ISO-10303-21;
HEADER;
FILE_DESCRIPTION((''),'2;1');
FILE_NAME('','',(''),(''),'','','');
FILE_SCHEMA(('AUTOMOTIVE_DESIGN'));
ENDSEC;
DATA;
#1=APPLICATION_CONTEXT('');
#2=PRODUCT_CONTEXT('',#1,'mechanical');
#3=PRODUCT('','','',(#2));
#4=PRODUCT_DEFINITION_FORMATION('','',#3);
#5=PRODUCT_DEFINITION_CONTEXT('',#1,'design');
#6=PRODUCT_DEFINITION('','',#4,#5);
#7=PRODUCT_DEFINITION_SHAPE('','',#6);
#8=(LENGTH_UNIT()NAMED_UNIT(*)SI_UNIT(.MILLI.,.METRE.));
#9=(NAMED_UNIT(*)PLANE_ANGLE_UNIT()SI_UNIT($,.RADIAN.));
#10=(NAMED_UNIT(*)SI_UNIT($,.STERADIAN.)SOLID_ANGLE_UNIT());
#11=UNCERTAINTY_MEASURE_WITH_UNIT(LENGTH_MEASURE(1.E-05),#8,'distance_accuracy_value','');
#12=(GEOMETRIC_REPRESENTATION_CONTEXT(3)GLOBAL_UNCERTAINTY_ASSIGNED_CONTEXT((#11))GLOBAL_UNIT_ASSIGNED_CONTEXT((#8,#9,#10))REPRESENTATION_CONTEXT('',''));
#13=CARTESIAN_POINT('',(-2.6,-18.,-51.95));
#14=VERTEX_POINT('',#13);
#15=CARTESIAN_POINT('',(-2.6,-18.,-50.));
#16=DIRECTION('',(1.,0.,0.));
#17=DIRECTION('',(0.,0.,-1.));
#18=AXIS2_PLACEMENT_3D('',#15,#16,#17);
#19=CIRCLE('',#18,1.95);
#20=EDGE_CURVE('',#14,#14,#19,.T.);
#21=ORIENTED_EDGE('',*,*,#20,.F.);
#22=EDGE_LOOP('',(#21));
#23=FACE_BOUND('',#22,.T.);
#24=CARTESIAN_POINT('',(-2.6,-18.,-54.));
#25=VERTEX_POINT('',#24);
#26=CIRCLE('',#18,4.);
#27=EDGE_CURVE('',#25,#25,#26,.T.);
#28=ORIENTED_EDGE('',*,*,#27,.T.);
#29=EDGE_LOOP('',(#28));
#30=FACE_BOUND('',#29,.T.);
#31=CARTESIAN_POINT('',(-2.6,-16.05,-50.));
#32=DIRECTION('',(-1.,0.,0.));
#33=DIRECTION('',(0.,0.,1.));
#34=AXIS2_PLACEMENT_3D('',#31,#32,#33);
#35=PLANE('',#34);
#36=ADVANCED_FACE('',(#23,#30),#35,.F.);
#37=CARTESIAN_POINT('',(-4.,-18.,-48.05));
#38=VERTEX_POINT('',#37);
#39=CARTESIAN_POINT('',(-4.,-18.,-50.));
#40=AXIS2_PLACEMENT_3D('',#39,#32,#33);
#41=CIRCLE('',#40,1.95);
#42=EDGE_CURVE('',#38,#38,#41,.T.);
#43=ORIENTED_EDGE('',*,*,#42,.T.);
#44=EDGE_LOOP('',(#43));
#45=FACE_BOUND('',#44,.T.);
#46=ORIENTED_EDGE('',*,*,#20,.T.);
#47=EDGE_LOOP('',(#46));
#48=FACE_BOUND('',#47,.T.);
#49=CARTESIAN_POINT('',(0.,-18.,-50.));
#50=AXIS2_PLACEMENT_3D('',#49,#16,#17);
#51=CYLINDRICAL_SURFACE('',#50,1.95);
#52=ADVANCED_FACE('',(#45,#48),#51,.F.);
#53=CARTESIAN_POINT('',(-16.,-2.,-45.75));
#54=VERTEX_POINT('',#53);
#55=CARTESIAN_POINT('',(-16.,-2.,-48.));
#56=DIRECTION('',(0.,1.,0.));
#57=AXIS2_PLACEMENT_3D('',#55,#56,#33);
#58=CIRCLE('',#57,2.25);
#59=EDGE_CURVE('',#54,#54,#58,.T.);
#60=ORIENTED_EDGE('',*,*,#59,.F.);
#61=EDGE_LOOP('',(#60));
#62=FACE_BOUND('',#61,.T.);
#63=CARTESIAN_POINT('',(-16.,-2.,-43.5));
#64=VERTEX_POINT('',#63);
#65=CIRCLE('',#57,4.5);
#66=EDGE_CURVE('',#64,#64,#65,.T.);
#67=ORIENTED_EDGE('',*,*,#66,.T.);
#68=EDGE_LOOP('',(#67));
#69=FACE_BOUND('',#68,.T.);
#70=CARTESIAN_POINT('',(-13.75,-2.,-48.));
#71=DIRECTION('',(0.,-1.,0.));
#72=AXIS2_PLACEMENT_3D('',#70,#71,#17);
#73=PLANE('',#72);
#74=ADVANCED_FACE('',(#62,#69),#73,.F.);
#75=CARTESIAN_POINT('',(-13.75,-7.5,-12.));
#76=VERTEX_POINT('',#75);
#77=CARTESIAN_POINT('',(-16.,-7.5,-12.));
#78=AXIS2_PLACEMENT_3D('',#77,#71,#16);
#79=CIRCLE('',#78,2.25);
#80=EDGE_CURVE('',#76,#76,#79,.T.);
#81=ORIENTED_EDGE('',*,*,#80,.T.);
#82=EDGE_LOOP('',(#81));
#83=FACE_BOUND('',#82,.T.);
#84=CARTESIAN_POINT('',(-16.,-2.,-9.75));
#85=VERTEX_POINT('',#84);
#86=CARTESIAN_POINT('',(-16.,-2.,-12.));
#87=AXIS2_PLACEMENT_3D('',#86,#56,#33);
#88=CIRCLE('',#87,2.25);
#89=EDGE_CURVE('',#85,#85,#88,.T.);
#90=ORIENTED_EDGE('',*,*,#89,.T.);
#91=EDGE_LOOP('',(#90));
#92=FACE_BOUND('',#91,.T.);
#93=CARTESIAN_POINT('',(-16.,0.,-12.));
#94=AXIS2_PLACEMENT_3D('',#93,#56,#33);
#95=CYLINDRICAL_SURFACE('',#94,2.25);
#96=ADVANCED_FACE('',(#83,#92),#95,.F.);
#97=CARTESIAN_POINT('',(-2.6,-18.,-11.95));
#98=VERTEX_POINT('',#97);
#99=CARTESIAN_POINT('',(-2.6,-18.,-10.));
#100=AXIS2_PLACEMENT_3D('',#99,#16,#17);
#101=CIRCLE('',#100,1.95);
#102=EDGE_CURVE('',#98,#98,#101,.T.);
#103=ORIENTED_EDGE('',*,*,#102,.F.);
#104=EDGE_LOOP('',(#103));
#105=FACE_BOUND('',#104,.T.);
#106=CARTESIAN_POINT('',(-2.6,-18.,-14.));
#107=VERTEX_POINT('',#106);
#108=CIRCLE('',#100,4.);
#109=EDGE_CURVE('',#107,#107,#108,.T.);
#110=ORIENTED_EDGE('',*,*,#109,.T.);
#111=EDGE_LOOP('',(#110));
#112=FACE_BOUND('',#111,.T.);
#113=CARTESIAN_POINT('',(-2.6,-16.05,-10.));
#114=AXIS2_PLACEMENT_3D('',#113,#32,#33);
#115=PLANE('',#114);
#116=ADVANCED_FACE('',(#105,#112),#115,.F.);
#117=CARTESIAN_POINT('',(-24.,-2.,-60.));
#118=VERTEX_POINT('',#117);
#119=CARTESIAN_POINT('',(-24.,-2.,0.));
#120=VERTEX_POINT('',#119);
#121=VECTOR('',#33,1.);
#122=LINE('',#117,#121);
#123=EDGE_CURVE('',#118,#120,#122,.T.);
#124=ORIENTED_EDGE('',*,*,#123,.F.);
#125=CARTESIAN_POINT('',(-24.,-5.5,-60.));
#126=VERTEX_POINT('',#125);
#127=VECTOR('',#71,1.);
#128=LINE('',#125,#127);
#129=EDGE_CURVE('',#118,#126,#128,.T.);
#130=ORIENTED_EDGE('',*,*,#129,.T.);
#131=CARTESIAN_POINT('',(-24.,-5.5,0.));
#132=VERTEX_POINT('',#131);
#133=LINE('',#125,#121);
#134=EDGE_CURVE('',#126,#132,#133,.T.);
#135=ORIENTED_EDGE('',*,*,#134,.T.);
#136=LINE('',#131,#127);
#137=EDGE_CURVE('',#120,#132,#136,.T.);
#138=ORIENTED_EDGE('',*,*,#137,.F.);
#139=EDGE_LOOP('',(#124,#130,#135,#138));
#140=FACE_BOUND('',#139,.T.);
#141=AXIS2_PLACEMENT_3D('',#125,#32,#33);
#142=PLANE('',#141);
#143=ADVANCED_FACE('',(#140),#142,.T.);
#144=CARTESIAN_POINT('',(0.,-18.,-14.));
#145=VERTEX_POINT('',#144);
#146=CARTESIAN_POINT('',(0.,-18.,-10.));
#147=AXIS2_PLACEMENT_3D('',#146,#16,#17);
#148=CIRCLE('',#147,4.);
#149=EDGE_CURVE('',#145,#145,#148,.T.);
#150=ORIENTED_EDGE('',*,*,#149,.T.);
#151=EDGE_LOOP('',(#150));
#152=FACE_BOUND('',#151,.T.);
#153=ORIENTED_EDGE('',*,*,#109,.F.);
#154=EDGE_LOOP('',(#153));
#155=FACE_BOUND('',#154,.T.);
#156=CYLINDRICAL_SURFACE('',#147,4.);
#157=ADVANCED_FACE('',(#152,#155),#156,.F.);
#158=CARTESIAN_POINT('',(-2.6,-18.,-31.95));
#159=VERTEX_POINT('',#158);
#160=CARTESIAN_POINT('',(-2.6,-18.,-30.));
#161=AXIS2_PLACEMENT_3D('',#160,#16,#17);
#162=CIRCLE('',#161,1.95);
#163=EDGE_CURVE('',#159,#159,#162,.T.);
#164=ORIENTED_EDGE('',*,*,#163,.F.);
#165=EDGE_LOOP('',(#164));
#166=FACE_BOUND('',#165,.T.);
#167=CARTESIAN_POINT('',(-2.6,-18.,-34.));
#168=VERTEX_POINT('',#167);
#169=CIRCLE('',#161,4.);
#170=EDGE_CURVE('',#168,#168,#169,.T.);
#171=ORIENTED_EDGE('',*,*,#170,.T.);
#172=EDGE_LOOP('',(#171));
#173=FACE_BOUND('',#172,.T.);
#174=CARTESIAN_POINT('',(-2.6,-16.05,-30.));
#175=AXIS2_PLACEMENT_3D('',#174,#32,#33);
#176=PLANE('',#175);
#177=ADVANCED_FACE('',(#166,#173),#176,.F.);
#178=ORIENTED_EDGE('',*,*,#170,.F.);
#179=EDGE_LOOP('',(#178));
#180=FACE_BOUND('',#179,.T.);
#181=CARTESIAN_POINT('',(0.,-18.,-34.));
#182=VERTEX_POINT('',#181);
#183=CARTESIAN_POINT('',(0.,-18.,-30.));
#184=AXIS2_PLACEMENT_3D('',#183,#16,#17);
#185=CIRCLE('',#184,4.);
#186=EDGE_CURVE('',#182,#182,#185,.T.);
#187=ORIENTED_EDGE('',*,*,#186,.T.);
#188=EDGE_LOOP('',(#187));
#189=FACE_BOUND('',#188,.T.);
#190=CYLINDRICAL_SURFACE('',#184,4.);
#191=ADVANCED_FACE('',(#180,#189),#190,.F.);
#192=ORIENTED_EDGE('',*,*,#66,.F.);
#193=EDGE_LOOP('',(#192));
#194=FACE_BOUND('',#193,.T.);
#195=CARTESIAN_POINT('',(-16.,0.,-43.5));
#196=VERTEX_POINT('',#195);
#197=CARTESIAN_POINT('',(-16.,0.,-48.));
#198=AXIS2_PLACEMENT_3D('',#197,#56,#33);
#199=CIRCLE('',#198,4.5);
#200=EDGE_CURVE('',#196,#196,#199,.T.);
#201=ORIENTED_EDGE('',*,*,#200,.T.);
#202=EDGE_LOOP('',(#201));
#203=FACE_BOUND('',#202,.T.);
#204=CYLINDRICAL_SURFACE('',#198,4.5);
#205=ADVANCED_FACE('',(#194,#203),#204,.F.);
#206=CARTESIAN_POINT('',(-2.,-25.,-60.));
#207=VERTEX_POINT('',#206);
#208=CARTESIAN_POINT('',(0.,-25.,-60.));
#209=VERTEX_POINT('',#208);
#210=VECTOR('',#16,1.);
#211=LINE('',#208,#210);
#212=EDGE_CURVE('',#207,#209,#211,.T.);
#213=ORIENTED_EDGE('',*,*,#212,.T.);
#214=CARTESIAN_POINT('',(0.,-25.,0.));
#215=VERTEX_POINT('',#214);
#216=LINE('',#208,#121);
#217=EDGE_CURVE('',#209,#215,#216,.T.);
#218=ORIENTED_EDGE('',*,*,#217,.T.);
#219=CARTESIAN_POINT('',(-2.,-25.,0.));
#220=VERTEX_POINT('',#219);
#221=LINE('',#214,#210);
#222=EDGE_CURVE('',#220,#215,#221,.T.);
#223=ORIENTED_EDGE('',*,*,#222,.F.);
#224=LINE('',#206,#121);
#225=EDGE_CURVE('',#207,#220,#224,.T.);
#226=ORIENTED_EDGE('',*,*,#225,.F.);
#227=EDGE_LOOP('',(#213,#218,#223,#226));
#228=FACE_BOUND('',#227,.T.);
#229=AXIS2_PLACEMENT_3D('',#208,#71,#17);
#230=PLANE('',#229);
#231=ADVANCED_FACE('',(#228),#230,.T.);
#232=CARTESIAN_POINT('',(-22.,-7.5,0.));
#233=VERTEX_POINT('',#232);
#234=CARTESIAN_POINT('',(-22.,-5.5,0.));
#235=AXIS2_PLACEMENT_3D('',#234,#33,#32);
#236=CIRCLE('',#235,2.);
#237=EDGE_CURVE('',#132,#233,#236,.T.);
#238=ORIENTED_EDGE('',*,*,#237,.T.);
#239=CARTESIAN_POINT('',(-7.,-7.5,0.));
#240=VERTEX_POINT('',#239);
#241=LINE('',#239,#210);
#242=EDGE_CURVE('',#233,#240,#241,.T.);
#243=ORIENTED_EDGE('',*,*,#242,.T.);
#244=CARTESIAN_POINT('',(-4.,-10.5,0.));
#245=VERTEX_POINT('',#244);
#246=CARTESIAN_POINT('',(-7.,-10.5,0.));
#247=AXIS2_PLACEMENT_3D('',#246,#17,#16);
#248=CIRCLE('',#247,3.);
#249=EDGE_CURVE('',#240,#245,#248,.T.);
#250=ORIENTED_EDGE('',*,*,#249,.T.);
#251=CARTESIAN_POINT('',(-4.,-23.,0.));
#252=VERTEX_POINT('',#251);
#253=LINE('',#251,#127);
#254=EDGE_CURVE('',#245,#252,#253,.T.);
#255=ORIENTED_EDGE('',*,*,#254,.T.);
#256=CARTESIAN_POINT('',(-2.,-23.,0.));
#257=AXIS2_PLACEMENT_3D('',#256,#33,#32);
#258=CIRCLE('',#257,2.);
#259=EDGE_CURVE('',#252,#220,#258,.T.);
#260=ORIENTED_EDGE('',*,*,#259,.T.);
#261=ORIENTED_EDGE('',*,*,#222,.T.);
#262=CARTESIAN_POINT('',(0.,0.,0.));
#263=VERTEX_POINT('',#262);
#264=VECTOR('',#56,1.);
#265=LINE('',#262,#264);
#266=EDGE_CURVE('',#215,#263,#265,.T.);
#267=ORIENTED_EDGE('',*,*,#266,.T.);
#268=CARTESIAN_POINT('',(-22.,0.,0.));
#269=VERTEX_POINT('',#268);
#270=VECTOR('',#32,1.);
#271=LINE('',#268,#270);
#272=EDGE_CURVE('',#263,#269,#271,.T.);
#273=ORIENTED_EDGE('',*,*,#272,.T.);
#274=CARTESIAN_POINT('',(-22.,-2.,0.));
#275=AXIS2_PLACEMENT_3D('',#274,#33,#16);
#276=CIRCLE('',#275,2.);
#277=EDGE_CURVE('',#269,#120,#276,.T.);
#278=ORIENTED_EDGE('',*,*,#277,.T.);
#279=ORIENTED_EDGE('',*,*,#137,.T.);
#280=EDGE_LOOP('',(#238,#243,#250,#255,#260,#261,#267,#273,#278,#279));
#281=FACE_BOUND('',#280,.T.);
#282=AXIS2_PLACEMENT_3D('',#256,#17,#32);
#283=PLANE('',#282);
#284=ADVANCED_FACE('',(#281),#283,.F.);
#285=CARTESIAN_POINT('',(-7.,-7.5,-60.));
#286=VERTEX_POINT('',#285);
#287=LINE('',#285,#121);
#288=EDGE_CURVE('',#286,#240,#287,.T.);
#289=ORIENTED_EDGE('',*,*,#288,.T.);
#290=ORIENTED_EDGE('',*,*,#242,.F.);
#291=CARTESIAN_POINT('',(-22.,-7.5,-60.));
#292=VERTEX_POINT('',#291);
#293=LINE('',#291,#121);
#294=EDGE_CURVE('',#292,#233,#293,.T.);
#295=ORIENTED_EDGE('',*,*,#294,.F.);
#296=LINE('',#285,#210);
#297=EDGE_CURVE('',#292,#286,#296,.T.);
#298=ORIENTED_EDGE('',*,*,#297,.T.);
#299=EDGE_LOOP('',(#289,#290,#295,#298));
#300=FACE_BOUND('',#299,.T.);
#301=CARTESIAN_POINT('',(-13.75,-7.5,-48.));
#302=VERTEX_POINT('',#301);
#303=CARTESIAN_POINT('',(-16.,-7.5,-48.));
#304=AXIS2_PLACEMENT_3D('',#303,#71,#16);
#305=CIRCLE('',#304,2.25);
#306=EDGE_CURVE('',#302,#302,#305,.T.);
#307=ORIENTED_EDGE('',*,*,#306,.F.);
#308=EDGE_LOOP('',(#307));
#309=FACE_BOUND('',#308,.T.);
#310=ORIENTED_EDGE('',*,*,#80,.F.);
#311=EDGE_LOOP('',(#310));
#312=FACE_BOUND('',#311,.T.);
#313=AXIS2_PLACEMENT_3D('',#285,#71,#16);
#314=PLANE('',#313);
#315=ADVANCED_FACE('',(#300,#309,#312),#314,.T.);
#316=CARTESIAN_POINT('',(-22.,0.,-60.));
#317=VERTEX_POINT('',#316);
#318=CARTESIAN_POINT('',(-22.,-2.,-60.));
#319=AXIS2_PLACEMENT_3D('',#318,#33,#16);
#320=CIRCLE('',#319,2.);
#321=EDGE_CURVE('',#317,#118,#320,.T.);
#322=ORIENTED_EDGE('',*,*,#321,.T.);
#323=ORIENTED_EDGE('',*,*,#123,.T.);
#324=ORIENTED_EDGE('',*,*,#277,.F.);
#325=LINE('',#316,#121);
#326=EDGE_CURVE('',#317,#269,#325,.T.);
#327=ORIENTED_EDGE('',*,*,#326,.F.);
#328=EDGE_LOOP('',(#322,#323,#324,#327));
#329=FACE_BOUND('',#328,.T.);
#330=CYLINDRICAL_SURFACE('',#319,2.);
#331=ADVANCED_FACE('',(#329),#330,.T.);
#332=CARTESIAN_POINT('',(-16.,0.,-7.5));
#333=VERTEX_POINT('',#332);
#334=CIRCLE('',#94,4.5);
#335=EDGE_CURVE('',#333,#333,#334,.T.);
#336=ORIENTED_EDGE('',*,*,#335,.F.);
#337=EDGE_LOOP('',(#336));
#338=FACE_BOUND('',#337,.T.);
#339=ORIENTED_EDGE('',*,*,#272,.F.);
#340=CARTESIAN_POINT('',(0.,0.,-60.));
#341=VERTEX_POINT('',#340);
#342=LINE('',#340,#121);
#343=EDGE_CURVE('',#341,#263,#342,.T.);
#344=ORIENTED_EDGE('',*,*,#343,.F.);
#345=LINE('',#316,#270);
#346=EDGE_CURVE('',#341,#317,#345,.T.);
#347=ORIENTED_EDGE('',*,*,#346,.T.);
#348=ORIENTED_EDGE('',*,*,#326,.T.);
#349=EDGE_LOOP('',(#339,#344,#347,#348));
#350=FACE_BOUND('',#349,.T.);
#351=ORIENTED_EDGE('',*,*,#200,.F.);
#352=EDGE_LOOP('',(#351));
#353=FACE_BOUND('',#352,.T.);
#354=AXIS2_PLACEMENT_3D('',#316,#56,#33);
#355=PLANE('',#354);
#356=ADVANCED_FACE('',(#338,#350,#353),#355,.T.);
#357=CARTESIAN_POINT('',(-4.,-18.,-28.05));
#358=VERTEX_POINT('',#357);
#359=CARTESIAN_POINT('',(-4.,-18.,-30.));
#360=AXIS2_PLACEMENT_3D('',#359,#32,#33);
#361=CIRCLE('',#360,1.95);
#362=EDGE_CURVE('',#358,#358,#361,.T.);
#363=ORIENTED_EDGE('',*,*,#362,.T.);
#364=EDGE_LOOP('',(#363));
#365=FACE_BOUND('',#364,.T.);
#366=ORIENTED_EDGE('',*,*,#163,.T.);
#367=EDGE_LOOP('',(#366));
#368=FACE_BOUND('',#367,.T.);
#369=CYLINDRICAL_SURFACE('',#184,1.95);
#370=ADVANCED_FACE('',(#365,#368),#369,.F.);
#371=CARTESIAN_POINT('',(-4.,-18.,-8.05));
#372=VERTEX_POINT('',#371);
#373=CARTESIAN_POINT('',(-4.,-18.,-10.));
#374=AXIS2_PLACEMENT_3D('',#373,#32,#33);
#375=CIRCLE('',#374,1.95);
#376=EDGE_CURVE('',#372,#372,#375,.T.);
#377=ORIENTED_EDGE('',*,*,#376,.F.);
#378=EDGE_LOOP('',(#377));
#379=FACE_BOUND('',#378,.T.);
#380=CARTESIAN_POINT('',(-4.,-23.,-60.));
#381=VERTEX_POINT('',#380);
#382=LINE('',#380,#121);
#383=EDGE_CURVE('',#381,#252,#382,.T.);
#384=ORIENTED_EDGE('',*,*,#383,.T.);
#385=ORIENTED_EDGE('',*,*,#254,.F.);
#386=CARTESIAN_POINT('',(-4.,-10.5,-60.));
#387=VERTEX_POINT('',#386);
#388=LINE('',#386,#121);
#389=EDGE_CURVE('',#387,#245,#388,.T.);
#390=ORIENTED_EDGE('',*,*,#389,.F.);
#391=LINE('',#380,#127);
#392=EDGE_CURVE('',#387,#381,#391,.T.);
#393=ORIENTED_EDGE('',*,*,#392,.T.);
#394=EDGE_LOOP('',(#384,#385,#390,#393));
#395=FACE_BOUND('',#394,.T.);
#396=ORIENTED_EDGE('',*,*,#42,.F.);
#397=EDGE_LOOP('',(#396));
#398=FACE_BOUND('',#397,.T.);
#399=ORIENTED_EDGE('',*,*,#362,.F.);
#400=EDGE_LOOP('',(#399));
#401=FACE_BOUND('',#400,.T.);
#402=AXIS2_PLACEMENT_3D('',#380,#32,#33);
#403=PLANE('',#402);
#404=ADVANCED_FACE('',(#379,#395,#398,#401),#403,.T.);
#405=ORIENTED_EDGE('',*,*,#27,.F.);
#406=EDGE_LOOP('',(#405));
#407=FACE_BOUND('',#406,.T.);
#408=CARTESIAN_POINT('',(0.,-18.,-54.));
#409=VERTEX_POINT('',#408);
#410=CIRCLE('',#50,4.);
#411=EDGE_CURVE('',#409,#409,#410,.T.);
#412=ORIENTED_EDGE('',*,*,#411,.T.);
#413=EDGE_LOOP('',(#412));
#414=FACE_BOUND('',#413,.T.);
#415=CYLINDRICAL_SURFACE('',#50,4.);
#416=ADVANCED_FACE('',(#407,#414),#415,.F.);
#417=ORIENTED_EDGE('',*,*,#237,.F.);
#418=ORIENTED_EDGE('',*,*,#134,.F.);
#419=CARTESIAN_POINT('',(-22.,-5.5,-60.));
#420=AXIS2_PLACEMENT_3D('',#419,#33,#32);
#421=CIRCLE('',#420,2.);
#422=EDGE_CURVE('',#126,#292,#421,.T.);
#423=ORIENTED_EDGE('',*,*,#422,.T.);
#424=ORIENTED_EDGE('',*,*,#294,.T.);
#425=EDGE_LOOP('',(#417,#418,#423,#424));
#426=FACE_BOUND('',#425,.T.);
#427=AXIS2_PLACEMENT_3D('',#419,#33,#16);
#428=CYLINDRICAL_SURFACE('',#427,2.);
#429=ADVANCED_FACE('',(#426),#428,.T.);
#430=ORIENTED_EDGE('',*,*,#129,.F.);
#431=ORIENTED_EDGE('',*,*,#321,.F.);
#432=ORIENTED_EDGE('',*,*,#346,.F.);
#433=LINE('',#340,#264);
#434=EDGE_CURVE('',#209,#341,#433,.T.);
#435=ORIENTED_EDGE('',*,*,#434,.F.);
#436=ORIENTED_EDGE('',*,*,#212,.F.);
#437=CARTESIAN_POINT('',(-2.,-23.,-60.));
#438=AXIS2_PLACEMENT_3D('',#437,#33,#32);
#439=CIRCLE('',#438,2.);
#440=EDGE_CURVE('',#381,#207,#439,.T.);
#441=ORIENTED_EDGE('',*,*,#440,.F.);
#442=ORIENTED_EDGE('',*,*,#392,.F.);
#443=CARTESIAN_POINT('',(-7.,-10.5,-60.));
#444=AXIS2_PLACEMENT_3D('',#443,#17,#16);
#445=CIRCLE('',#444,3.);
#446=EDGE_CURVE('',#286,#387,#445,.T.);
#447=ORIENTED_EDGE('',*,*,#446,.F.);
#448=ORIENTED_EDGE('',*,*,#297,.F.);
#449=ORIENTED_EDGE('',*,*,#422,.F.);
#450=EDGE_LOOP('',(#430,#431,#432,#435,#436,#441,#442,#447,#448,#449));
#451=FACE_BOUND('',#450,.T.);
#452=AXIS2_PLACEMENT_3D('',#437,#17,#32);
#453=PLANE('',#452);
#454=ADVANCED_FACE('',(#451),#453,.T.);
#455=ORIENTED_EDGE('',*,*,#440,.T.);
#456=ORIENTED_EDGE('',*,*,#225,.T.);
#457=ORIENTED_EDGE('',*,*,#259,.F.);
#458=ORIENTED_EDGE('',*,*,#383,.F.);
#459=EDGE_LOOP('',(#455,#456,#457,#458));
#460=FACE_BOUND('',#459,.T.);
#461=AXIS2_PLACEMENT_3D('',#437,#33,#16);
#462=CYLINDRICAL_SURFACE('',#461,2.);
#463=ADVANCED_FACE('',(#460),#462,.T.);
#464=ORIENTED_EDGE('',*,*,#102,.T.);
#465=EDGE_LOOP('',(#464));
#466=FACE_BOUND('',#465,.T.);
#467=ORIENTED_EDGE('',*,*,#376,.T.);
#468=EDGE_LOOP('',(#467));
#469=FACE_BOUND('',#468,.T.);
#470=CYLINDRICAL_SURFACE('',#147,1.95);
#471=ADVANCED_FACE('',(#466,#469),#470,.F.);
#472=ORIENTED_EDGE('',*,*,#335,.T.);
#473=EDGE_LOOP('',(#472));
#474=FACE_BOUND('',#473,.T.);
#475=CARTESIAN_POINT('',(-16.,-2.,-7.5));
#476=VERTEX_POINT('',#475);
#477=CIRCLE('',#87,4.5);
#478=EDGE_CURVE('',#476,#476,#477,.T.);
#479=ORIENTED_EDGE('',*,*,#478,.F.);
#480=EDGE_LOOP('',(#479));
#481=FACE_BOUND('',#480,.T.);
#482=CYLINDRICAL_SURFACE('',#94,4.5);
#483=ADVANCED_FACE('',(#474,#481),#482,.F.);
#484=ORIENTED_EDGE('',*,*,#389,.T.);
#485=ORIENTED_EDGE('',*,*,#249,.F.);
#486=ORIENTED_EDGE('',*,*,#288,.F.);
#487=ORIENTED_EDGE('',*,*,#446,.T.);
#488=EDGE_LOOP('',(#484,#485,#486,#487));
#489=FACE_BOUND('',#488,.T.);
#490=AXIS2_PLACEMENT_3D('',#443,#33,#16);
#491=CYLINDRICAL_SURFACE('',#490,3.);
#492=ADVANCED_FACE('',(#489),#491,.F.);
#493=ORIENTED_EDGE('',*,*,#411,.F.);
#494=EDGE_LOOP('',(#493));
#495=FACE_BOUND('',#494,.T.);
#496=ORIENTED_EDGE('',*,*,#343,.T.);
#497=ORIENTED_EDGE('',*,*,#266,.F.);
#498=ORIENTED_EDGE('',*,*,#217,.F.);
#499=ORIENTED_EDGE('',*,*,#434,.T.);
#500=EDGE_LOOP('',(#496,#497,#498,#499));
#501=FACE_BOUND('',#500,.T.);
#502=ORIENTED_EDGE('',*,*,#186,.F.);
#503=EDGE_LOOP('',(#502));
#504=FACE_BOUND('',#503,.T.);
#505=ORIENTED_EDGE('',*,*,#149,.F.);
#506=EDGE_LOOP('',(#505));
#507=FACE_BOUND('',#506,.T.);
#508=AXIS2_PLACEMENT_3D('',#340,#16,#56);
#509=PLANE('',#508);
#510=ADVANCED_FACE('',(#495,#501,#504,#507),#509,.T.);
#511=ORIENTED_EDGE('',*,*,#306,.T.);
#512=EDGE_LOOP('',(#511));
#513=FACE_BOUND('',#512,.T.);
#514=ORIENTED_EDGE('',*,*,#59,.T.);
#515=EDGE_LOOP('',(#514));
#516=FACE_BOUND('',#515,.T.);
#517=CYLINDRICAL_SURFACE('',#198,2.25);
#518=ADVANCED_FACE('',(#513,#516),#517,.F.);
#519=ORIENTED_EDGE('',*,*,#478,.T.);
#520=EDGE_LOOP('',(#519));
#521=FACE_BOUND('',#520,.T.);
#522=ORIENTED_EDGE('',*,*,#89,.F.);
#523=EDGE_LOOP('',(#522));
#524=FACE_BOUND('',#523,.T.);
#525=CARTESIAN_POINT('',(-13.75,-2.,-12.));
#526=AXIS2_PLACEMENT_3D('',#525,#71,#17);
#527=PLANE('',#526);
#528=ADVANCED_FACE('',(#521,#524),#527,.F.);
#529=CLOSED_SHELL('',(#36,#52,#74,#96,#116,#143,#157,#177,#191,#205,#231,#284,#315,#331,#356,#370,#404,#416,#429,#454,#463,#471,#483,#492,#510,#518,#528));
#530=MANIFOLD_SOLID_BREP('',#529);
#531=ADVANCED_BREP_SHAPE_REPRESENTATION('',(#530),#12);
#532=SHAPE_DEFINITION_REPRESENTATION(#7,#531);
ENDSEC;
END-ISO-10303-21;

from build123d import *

# Parameters (mm, degrees)
EXTRUDE1_DEPTH                                     = 60
CBORE_FOR_M3_5_PAN_HEAD_MACHINE_SCREW1_D           = 3.9
CBORE_FOR_M3_5_PAN_HEAD_MACHINE_SCREW1_CBORE_D     = 8
CBORE_FOR_M3_5_PAN_HEAD_MACHINE_SCREW1_CBORE_DEPTH = 2.6
CBORE_FOR_M4_PAN_HEAD_MACHINE_SCREW1_D             = 4.5
CBORE_FOR_M4_PAN_HEAD_MACHINE_SCREW1_CBORE_D       = 9
CBORE_FOR_M4_PAN_HEAD_MACHINE_SCREW1_CBORE_DEPTH   = 2


with BuildPart() as part:
    # Sketch1 → Extrude1 (new body)
    with BuildSketch(Plane.XY):
        with BuildLine():
            Line((-22, 0), (0, 0))
            Line((0, 0), (0, -25))
            Line((0, -25), (-2, -25))
            ThreePointArc((-2, -25), (-3.414213562, -24.414213562), (-4, -23))
            Line((-4, -23), (-4, -10.5))
            ThreePointArc((-4, -10.5), (-4.878679656, -8.378679656), (-7, -7.5))
            Line((-7, -7.5), (-22, -7.5))
            ThreePointArc((-22, -7.5), (-23.414213562, -6.914213562), (-24, -5.5))
            Line((-24, -5.5), (-24, -2))
            ThreePointArc((-24, -2), (-23.414213562, -0.585786438), (-22, 0))
        make_face()
    extrude(amount=-EXTRUDE1_DEPTH)

    # CBORE for M3.5 Pan Head Machine Screw1 (through all)
    with Locations(Plane(origin=(0, 0, 0), x_dir=(0, 0, -1), z_dir=(1, 0, 0))):
        with Locations((50, -18), (30, -18), (10, -18)):
            CounterBoreHole(CBORE_FOR_M3_5_PAN_HEAD_MACHINE_SCREW1_D / 2, CBORE_FOR_M3_5_PAN_HEAD_MACHINE_SCREW1_CBORE_D / 2, CBORE_FOR_M3_5_PAN_HEAD_MACHINE_SCREW1_CBORE_DEPTH)

    # CBORE for M4 Pan Head Machine Screw1 (through all)
    with Locations(Plane(origin=(0, 0, 0), x_dir=(-1, 0, 0), z_dir=(0, 1, 0))):
        with Locations((16, -48), (16, -12)):
            CounterBoreHole(CBORE_FOR_M4_PAN_HEAD_MACHINE_SCREW1_D / 2, CBORE_FOR_M4_PAN_HEAD_MACHINE_SCREW1_CBORE_D / 2, CBORE_FOR_M4_PAN_HEAD_MACHINE_SCREW1_CBORE_DEPTH)


solid = part.part
